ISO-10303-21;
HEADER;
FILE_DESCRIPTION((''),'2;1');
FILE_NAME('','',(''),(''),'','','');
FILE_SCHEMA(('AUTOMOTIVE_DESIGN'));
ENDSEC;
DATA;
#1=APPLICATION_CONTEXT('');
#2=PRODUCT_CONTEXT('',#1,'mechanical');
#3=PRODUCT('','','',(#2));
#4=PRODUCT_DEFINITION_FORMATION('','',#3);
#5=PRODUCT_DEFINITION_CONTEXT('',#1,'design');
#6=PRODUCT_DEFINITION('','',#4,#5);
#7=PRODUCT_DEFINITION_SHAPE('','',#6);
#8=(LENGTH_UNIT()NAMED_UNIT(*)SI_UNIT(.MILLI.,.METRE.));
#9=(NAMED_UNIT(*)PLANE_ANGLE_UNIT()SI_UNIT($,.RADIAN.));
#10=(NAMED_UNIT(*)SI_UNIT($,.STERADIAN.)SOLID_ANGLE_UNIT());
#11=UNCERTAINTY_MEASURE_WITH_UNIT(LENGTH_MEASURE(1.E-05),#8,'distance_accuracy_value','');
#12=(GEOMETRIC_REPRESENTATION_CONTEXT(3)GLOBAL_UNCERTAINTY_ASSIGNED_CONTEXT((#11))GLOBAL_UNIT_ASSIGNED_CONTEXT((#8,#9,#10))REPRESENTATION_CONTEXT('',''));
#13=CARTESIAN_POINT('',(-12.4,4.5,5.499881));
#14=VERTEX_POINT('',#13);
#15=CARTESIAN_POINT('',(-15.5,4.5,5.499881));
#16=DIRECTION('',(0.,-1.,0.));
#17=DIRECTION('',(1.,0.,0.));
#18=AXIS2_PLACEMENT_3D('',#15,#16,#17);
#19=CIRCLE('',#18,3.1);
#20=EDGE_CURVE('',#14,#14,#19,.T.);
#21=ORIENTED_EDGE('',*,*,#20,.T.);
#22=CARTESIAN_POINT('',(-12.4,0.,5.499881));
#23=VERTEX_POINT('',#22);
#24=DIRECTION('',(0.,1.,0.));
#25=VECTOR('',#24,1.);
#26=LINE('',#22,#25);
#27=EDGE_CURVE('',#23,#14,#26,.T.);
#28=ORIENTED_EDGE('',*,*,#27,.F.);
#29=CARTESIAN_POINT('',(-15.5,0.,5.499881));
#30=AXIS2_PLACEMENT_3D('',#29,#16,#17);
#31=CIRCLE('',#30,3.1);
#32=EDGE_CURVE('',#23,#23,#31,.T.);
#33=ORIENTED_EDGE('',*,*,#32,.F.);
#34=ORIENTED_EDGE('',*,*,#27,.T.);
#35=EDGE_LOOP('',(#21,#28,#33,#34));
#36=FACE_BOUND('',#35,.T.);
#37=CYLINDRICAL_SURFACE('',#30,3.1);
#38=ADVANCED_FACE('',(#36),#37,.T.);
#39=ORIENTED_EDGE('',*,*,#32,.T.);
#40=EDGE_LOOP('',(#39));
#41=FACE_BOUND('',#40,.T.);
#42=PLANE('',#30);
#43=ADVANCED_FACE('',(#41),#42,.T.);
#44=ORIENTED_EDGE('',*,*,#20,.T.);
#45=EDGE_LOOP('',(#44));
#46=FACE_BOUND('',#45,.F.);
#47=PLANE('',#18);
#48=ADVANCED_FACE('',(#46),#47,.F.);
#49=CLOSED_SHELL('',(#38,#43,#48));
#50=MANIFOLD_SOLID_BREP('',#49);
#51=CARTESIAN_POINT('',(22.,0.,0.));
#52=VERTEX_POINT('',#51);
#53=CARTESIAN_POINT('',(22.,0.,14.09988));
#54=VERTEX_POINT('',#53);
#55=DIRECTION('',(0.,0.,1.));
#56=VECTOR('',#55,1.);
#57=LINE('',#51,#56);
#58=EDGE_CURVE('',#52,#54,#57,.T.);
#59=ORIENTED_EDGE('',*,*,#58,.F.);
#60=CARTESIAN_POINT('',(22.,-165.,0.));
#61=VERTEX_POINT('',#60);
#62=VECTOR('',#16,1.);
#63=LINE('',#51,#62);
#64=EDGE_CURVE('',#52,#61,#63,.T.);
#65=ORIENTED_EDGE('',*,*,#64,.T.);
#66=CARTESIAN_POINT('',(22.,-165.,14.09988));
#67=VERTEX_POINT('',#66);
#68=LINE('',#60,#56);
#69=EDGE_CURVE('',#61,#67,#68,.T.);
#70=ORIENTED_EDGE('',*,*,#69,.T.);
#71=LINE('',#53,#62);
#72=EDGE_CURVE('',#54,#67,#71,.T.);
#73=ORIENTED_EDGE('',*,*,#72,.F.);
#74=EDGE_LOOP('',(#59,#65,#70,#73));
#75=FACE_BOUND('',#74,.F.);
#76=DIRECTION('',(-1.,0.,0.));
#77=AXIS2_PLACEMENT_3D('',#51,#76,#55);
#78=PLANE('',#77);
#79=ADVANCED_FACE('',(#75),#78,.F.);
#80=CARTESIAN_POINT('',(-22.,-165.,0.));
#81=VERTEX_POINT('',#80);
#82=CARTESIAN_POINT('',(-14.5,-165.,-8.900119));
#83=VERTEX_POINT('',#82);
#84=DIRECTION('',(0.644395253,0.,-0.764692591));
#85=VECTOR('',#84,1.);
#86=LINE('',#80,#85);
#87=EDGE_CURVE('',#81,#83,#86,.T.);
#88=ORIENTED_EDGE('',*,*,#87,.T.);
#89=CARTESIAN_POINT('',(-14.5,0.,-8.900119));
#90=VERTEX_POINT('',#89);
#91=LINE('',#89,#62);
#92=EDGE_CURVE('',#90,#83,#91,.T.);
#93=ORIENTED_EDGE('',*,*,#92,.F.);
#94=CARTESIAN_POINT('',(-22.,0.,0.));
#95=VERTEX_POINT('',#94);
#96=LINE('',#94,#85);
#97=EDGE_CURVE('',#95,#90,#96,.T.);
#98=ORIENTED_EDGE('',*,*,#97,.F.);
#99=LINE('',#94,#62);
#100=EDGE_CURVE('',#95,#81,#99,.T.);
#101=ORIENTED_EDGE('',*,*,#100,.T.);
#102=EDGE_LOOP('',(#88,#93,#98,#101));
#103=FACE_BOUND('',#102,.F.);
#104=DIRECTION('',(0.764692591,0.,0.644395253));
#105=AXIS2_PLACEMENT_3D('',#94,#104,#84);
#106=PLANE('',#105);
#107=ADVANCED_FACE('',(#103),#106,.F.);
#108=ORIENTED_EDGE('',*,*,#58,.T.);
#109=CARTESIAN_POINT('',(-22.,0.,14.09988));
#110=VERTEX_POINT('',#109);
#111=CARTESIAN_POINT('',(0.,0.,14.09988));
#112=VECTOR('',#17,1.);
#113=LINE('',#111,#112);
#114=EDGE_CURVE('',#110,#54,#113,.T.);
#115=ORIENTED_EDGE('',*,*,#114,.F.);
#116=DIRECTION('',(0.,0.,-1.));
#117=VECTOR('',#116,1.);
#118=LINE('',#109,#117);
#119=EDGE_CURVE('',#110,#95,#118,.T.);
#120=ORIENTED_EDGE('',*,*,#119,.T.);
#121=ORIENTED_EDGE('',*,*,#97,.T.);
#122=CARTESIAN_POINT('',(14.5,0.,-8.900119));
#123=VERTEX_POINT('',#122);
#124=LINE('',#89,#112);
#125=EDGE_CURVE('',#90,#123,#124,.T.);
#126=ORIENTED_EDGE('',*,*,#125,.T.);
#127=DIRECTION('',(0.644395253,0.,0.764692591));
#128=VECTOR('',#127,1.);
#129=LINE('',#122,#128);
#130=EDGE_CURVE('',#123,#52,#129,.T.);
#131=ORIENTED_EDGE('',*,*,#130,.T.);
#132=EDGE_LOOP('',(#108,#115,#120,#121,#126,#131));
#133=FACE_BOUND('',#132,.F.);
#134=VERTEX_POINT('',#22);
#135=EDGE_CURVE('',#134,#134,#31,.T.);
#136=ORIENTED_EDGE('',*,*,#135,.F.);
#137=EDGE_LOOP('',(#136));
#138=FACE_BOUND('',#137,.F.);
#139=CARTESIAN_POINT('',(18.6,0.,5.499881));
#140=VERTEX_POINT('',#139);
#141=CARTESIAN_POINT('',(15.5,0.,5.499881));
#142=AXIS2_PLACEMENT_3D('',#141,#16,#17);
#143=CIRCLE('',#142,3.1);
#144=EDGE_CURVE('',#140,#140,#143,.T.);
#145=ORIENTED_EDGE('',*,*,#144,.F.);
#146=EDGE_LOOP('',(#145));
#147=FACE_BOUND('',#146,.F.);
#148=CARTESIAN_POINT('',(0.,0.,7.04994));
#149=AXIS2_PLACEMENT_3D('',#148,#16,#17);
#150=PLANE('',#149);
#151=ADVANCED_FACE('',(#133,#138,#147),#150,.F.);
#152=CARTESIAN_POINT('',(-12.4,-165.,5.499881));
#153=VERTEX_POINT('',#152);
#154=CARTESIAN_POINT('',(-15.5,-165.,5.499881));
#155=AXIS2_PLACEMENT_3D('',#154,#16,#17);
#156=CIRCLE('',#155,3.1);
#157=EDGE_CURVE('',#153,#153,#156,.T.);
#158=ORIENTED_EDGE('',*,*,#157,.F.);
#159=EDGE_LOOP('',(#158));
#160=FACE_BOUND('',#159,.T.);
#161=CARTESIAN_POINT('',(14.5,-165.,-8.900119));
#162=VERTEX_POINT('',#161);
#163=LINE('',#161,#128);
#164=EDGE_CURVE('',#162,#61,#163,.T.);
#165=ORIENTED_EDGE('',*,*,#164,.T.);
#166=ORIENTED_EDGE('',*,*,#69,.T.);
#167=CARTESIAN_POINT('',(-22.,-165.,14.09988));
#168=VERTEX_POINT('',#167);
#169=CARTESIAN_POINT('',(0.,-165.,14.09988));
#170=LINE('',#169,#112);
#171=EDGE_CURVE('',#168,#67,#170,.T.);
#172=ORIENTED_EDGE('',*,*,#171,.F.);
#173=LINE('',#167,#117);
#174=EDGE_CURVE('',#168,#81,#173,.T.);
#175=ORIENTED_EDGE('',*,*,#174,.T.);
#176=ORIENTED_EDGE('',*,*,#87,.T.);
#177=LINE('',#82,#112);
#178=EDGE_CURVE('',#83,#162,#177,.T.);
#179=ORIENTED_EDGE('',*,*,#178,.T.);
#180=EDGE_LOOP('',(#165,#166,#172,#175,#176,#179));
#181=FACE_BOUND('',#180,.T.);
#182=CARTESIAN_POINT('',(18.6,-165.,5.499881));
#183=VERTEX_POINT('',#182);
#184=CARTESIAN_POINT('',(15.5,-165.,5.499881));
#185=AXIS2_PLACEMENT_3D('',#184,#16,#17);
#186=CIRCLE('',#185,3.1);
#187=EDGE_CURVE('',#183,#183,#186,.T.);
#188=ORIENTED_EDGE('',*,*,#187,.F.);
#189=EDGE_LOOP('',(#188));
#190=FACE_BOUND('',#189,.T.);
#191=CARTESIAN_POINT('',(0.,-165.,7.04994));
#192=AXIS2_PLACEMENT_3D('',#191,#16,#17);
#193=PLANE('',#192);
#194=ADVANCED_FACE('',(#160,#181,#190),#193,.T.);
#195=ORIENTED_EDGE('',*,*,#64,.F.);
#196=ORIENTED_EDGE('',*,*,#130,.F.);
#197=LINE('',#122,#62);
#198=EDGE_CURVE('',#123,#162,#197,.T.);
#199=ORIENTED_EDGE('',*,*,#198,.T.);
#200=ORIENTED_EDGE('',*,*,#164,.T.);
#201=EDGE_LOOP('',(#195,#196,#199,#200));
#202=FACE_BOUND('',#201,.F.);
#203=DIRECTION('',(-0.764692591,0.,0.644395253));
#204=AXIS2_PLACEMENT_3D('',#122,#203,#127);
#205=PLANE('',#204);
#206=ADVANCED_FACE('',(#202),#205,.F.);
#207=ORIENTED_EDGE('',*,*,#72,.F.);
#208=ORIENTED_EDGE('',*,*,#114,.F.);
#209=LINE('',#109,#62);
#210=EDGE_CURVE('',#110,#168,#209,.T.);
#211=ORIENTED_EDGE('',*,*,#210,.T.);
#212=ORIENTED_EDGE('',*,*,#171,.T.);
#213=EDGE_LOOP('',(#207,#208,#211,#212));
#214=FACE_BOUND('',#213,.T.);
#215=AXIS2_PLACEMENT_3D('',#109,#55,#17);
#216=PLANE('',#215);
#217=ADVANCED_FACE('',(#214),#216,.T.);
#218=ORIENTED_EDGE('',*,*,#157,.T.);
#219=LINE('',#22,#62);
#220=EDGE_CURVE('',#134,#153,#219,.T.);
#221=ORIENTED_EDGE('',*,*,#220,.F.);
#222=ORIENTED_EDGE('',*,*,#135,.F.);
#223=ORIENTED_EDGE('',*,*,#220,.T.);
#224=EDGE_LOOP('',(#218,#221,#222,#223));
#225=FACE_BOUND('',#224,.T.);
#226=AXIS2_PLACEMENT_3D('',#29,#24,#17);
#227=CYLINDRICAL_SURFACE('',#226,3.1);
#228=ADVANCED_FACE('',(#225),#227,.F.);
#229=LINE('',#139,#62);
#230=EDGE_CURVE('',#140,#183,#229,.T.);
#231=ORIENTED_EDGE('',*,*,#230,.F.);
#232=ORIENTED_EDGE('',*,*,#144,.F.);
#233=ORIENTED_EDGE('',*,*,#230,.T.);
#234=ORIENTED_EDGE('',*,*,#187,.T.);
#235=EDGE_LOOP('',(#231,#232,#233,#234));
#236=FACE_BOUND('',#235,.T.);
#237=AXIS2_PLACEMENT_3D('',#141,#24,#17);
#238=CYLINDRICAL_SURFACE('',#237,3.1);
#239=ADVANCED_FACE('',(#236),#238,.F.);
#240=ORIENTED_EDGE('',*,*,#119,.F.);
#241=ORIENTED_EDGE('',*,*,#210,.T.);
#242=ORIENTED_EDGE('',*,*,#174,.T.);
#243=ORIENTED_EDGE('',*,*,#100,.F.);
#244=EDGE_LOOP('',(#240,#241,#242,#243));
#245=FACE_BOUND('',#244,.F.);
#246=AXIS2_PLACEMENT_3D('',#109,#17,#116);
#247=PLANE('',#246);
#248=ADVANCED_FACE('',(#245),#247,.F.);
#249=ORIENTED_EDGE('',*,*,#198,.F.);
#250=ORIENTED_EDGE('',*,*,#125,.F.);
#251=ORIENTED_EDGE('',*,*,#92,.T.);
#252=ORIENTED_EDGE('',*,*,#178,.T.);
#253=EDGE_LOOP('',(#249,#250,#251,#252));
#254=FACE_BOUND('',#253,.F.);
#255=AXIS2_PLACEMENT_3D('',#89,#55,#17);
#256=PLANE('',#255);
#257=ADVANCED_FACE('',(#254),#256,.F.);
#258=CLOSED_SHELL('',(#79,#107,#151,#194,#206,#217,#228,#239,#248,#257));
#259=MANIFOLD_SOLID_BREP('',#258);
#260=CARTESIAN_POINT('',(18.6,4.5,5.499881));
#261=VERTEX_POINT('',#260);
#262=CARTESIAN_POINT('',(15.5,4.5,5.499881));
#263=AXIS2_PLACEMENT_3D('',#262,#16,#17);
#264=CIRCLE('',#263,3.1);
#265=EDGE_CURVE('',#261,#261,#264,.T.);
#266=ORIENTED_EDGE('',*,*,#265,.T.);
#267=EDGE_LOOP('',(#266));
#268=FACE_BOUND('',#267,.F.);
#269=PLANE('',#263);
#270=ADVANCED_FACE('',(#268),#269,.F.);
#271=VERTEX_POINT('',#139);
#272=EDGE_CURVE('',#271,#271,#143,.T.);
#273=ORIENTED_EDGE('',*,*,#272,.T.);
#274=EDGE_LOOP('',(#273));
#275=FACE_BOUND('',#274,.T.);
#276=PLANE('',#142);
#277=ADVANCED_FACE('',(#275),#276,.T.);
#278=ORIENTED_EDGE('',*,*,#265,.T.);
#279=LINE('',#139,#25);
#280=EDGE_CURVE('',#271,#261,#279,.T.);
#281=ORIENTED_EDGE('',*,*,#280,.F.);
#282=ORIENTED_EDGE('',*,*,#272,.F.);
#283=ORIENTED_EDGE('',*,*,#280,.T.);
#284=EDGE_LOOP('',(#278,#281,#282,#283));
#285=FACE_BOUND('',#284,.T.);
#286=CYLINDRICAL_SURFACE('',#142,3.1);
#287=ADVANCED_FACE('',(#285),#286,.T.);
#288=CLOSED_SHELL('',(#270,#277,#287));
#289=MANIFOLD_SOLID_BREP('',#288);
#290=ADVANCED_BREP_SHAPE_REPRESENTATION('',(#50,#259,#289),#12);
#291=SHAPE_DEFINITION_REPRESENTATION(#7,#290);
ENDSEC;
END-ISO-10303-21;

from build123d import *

# Parameters (mm, degrees)
F0_W     = 44
F0_H     = 14.099881
F0_R     = 3.1
F1_DEPTH = 165
F2_DEPTH = 4.5


with BuildPart() as f1:
    # F0 (on Front) → F1 (new body)
    with BuildSketch(Plane.XZ):
        with Locations((0, 7.04994)):
            Rectangle(F0_W, F0_H)
        with Locations((-15.5, 5.499881)):
            Circle(F0_R, mode=Mode.SUBTRACT)
        with Locations((15.5, 5.499881)):
            Circle(F0_R, mode=Mode.SUBTRACT)
        with BuildLine():
            ThreePointArc((-22, 0), (-16.614167, -3.071567), (-14.5, -8.900119))
            Line((-14.5, -8.900119), (14.5, -8.900119))
            ThreePointArc((14.5, -8.900119), (16.614167, -3.071567), (22, 0))
            Line((22, 0), (-22, 0))
        make_face()
        with BuildLine():
            Line((-22, 0), (-14.5, -8.900119))
            ThreePointArc((-14.5, -8.900119), (-16.614167, -3.071567), (-22, 0))
        make_face()
        with BuildLine():
            ThreePointArc((22, 0), (16.614167, -3.071567), (14.5, -8.900119))
            Line((14.5, -8.900119), (22, 0))
        make_face()
    extrude(amount=F1_DEPTH)

    # F0 (on Front) → F2 (join)
    with BuildSketch(Plane.XZ):
        with Locations((-15.5, 5.499881)):
            Circle(F0_R)
        with Locations((15.5, 5.499881)):
            Circle(F0_R)
    extrude(amount=-F2_DEPTH)


solid = f1.part
